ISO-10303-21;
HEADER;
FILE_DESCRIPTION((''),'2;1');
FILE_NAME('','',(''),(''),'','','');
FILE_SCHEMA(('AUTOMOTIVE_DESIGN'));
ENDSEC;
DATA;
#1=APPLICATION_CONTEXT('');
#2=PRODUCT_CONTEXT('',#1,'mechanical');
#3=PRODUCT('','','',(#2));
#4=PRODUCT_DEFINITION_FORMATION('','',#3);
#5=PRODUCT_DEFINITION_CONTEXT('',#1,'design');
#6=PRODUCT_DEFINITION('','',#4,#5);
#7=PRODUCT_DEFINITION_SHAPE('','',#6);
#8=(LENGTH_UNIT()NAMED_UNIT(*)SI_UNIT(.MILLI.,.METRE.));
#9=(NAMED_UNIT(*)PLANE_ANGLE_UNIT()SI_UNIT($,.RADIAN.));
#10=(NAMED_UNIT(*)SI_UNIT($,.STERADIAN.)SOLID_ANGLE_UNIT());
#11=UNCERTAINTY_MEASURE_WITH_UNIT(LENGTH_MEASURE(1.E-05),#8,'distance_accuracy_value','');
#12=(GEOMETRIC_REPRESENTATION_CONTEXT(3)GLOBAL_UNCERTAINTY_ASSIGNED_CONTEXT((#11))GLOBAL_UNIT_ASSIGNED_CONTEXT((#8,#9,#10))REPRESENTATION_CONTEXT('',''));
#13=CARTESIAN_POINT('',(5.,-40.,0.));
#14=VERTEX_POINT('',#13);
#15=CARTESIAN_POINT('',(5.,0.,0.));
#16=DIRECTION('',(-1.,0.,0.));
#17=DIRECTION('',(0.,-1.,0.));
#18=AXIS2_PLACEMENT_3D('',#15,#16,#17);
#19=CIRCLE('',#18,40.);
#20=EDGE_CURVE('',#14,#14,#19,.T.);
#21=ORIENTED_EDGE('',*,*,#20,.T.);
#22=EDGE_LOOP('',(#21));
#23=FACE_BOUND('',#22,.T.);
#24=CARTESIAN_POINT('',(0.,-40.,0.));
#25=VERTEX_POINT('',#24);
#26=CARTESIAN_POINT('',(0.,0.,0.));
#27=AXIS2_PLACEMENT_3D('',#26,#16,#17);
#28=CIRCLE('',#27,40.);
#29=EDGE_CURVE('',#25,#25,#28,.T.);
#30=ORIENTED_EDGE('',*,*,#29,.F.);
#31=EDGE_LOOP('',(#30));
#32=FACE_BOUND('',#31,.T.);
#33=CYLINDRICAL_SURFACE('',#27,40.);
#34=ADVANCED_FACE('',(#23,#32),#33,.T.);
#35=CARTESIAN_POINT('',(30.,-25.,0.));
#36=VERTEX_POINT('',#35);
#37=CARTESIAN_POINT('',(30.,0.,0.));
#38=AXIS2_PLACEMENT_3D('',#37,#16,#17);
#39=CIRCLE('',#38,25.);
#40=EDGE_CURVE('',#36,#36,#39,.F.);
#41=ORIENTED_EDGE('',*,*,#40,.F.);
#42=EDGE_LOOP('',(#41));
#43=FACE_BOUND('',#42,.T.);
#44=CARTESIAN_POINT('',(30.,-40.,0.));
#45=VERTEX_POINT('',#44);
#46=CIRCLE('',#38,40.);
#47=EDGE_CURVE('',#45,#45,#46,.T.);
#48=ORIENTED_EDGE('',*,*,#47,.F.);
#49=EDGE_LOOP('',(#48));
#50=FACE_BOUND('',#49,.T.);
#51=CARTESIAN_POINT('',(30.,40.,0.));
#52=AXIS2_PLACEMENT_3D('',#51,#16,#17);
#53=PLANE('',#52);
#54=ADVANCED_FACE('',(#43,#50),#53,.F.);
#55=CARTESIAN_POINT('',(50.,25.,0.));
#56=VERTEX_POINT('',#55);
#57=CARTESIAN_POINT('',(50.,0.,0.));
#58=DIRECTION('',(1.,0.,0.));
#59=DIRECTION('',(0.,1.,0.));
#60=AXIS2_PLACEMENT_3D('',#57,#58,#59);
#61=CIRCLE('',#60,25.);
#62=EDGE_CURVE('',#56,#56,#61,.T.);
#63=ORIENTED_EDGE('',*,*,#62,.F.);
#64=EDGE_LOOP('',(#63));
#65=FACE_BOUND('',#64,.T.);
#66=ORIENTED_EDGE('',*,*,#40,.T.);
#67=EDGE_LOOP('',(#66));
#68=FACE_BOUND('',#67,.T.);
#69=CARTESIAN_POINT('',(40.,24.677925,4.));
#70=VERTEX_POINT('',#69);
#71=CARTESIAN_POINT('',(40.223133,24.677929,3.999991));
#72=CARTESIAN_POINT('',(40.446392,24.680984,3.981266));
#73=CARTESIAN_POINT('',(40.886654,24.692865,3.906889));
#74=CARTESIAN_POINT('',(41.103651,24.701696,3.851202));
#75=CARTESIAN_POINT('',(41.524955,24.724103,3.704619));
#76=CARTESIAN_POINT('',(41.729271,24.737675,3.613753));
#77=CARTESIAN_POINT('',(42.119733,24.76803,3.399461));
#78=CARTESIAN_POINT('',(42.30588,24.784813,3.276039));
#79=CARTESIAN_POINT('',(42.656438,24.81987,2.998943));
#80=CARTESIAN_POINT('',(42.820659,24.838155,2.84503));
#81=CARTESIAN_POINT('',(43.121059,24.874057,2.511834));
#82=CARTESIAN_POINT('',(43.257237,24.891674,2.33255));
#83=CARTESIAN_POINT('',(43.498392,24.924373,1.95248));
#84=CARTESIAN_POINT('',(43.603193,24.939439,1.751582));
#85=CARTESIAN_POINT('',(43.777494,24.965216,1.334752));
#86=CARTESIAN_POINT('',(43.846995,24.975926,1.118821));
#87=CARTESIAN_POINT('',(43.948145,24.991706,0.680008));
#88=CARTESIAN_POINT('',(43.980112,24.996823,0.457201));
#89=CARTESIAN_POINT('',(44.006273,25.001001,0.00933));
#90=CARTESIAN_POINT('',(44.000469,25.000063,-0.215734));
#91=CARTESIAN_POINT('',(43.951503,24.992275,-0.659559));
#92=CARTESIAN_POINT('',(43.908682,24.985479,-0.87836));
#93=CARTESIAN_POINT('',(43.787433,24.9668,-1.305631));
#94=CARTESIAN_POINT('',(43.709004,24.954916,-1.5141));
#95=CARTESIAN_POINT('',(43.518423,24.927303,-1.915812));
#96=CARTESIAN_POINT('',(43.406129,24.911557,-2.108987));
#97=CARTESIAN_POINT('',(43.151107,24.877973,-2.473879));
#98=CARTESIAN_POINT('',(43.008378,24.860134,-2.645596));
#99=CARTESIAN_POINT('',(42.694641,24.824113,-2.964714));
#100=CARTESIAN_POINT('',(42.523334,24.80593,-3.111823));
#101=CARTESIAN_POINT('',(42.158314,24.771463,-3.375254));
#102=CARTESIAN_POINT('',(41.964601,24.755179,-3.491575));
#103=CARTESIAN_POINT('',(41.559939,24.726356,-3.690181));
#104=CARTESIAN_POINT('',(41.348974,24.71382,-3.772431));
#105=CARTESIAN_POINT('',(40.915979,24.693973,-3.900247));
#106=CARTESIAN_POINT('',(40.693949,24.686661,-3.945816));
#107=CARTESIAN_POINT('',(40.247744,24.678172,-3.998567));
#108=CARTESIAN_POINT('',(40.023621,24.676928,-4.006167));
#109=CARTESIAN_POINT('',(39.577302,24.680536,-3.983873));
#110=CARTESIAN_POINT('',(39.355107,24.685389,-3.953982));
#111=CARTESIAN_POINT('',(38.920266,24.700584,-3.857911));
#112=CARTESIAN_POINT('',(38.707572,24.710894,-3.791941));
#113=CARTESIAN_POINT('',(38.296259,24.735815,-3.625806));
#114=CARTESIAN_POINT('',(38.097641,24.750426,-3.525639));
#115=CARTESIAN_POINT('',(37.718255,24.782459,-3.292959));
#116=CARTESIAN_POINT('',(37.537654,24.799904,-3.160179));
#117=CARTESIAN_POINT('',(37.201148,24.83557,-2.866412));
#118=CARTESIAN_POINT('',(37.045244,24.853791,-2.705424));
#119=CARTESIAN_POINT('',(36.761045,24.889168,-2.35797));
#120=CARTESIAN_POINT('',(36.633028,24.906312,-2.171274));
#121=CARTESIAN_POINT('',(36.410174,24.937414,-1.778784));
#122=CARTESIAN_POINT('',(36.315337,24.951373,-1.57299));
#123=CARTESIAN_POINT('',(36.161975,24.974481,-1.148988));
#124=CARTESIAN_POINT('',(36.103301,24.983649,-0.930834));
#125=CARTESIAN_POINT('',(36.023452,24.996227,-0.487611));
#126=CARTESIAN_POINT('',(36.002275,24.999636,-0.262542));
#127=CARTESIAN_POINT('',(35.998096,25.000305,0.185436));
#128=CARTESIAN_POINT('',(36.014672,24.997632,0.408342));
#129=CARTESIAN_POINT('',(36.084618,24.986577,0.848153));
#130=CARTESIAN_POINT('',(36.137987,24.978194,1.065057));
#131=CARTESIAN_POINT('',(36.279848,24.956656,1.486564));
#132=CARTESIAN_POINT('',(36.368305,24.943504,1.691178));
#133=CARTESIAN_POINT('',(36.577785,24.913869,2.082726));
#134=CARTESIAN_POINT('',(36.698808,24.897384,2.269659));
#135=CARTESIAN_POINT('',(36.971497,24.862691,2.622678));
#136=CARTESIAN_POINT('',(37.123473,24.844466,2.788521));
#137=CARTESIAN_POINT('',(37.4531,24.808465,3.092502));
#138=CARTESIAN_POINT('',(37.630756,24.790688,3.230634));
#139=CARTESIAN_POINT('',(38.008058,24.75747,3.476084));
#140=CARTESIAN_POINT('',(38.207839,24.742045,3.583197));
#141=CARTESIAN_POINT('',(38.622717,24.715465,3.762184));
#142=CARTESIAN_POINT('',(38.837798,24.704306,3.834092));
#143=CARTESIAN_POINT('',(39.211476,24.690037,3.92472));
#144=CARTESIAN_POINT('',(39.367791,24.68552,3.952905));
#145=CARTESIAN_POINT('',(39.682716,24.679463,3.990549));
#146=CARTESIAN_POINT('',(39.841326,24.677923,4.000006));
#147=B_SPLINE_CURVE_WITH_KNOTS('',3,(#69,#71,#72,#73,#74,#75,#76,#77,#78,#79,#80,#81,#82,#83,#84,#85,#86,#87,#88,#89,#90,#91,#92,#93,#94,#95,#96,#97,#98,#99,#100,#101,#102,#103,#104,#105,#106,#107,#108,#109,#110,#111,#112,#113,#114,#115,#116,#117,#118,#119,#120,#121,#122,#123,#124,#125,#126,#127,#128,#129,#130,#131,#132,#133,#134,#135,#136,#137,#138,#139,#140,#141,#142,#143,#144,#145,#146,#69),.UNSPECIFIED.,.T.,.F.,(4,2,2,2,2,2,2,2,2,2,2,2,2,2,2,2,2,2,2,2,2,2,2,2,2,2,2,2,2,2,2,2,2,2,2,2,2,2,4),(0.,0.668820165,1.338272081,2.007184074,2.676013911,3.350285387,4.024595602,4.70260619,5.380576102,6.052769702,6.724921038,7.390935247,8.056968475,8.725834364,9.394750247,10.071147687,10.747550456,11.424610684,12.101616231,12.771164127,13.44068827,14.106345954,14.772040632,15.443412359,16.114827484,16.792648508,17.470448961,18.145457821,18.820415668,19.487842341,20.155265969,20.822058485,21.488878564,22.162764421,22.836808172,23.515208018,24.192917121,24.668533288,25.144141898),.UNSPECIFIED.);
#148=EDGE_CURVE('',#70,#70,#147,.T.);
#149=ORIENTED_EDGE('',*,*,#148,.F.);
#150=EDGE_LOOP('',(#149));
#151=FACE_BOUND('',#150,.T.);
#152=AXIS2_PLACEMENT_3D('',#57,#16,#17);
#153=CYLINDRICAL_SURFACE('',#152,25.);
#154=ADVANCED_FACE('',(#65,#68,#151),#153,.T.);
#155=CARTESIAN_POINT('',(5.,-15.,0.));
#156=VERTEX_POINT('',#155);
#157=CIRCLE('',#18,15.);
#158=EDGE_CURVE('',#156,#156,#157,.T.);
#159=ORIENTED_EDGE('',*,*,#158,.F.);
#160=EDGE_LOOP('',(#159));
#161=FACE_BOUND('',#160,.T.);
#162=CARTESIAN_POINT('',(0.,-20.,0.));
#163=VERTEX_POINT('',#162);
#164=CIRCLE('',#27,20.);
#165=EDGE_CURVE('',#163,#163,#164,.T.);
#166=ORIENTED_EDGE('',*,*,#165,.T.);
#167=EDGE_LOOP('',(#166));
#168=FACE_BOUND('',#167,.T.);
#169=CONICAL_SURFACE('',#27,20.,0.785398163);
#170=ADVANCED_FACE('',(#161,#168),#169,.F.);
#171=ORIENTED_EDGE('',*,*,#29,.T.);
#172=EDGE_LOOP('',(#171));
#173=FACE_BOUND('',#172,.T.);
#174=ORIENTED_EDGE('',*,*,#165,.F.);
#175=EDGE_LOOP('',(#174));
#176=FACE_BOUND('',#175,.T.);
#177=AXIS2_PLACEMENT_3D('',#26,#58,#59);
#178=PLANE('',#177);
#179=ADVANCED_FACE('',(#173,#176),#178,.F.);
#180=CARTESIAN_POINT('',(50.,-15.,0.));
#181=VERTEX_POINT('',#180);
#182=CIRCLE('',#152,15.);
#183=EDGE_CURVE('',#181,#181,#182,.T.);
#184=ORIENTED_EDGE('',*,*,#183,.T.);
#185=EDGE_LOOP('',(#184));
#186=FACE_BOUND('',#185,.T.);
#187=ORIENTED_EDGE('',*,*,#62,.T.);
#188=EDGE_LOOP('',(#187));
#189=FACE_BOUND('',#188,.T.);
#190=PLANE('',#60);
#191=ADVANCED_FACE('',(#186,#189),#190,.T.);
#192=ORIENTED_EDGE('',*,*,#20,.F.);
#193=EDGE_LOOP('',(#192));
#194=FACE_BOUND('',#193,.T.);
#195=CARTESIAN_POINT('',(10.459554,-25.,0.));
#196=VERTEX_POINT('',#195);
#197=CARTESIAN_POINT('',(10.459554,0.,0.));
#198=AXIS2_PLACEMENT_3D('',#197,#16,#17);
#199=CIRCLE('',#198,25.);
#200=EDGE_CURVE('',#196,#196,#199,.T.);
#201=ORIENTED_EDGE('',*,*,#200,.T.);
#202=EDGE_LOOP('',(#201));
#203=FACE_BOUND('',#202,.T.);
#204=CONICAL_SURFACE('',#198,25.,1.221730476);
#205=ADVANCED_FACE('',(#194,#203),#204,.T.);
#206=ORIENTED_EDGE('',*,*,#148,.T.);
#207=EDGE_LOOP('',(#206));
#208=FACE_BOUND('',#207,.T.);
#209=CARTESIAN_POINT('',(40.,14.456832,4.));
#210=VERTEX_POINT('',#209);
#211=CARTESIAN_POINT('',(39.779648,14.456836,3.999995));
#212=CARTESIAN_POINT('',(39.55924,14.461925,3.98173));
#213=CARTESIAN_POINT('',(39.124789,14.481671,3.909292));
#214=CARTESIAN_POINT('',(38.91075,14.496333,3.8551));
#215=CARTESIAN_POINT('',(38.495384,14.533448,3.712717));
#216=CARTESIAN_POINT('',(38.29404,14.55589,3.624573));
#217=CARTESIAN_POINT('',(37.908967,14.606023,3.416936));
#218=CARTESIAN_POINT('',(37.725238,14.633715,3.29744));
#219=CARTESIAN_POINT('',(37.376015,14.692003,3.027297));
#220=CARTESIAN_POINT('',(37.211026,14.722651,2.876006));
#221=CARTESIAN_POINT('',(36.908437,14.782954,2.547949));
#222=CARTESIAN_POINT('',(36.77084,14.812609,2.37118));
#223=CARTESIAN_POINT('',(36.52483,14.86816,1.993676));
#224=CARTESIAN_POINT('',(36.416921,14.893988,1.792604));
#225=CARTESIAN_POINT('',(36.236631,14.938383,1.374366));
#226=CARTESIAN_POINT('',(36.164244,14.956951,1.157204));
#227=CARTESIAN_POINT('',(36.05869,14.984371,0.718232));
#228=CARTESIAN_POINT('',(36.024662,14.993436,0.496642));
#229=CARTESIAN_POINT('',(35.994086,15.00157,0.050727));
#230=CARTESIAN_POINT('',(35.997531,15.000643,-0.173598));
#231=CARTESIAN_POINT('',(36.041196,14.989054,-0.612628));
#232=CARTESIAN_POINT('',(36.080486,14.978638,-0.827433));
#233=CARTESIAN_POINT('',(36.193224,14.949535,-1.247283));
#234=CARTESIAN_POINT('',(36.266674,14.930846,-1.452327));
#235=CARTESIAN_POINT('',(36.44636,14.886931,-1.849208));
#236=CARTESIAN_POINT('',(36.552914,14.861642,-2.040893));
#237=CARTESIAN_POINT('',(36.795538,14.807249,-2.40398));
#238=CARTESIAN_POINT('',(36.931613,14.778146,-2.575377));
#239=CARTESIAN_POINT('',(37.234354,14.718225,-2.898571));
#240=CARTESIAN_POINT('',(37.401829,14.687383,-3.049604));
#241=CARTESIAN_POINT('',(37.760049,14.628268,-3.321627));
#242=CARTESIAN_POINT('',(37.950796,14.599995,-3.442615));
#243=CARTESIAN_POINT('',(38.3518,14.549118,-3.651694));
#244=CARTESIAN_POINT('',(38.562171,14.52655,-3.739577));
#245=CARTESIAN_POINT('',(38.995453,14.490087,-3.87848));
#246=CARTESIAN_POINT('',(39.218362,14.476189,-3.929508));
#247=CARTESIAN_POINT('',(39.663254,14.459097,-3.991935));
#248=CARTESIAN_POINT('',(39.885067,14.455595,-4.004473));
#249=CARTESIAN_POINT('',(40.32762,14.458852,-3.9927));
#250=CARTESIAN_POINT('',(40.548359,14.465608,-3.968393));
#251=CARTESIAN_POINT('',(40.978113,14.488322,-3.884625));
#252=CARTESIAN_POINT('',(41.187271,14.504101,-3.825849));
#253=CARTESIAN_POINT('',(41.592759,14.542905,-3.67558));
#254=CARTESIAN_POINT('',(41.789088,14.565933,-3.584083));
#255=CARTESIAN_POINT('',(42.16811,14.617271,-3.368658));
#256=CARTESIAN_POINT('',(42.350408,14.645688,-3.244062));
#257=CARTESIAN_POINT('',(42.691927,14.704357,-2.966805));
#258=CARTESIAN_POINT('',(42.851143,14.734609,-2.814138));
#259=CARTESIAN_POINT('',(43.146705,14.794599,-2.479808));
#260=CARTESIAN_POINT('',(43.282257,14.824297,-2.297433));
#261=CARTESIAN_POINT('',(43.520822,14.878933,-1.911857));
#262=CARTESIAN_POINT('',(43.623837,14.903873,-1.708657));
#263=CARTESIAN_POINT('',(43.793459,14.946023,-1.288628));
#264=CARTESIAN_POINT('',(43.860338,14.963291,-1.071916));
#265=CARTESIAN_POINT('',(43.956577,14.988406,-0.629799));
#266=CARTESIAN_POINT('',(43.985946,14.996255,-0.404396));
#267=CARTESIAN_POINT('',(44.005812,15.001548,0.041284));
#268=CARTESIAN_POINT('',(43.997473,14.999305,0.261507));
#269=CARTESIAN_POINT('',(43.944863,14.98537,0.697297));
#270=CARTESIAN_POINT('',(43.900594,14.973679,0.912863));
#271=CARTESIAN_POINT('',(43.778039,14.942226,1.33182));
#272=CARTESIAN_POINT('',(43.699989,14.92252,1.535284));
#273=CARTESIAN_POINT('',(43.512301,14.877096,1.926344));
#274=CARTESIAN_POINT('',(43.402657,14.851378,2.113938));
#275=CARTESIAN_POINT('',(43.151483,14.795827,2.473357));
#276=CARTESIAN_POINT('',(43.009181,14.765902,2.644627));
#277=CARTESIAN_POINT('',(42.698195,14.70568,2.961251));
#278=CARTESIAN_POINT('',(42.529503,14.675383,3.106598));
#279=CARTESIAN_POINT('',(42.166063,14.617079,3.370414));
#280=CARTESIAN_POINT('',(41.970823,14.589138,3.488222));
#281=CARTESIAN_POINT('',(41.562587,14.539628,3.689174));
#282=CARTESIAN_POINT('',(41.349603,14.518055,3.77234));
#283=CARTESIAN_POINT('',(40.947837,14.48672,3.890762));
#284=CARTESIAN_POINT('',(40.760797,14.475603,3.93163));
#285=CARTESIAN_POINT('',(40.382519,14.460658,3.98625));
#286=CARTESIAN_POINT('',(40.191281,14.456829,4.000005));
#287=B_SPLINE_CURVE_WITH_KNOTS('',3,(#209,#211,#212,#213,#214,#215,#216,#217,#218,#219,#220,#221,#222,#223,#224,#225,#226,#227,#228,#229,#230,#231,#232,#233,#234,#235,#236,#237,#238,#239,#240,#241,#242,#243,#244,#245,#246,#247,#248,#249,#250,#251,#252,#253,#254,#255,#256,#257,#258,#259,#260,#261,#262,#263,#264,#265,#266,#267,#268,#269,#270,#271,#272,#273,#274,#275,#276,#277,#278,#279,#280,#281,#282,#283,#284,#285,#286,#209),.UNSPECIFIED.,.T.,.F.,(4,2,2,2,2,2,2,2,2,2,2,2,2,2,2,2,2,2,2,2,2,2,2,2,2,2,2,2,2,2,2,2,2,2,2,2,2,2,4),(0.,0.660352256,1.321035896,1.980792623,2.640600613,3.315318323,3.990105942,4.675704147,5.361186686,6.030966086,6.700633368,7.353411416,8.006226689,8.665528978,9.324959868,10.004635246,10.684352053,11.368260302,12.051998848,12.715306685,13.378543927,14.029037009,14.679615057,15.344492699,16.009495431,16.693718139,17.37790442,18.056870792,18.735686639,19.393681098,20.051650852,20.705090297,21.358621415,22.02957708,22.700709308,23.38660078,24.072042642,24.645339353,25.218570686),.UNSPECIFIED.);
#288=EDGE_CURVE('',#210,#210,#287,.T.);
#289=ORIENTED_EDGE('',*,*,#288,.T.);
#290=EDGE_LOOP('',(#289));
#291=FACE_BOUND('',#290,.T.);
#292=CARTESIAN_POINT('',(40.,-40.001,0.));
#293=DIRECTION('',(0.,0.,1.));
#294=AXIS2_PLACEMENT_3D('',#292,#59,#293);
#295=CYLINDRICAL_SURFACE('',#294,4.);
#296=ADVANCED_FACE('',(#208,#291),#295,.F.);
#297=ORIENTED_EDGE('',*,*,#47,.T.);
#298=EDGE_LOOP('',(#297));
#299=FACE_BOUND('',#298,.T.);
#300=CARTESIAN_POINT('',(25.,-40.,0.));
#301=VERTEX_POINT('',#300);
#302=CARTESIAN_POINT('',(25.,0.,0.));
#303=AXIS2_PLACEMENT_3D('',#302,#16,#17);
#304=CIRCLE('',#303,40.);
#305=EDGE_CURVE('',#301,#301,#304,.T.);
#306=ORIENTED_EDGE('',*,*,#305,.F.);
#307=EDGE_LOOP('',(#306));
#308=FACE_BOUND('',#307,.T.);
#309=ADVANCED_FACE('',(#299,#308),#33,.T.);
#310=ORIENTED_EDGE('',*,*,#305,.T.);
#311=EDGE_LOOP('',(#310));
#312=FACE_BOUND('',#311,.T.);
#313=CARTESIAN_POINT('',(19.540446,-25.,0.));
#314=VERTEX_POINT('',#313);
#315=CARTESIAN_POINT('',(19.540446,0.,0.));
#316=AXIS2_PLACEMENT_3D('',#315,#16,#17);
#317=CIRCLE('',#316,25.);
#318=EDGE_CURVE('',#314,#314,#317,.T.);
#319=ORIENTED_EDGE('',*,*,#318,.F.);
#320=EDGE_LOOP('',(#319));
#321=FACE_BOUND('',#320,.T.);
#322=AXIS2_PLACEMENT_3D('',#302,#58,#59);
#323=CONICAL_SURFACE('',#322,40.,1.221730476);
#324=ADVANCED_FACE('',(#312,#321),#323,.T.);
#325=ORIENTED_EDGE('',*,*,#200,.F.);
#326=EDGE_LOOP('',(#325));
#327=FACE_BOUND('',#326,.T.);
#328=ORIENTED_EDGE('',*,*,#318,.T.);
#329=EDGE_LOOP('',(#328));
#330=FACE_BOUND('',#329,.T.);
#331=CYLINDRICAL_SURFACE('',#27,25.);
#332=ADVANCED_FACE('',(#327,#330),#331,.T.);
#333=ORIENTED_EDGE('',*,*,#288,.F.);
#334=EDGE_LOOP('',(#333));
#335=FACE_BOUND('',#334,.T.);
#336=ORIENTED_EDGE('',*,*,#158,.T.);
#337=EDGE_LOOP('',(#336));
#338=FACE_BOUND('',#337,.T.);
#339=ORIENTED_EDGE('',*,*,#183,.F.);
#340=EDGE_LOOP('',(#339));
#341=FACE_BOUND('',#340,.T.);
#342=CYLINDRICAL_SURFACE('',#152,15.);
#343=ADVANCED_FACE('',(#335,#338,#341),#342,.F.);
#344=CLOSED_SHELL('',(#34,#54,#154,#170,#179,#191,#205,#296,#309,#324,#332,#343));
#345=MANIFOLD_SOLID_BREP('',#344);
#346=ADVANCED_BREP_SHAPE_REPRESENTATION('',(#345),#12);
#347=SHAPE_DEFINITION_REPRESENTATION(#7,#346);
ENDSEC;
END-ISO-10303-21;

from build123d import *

# Parameters (mm, degrees)
SKETCH2_R               = 12.5
CUT_EXTRUDE1_DEPTH      = 65.031242374
BOSS_EXTRUDE1_START     = 20
SKETCH3_R               = 25
BOSS_EXTRUDE1_DEPTH     = 20
SKETCH2_2_R             = 12.5
CUT_EXTRUDE2_DEPTH      = 76.498344353
SKETCH5_R               = 20
CUT_EXTRUDE3_DEPTH      = 5
CUT_EXTRUDE3_DRAFT      = -45
SKETCH6_R               = 15
CUT_EXTRUDE4_DEPTH      = 73.284161474
CUT_EXTRUDE5_REACH      = 93.241
CUT_EXTRUDE5_END_RADIUS = 15
SKETCH10_R              = 4


with BuildPart() as part:
    # Sketch1 → Revolve1 (revolve)
    with BuildSketch(Plane.XY, mode=Mode.PRIVATE) as revolve1_sk:
        Polygon((0, 0), (0, 40), (5, 40), (10.459553514, 25), (19.540446486, 25), (25, 40), (30, 40), (30, 0), align=None)
    revolve(revolve1_sk.sketch.rotate(Axis((0, 0, 0), (1, 0, 0)), 180), axis=Axis((0, 0, 0), (1, 0, 0)))

    # Sketch2 → Cut-Extrude1 (cut, through all)
    with BuildSketch(Plane.ZY):
        with Locations(Location((0, 0, 0), (0, 0, 270))):
            Circle(SKETCH2_R)
    extrude(amount=-CUT_EXTRUDE1_DEPTH, mode=Mode.SUBTRACT)

    # Sketch3 → Boss-Extrude1 (add)
    with BuildSketch(Plane(origin=(30, 0, 0), x_dir=(0, 0, -1), z_dir=(1, 0, 0)).offset(BOSS_EXTRUDE1_START)):
        with Locations(Location((0, 0, 0), (0, 0, 270))):
            Circle(SKETCH3_R)
    extrude(amount=-BOSS_EXTRUDE1_DEPTH)

    # Sketch2<2> → Cut-Extrude2 (cut, through all)
    with BuildSketch(Plane.ZY):
        with Locations(Location((0, 0, 0), (0, 0, 270))):
            Circle(SKETCH2_2_R)
    extrude(amount=-CUT_EXTRUDE2_DEPTH, mode=Mode.SUBTRACT)


with BuildPart() as cut_extrude3_tool:
    # Sketch5 → Cut-Extrude3 (with draft: the straight prism first)
    with BuildSketch(Plane.ZY):
        Circle(SKETCH5_R)
    extrude(amount=-CUT_EXTRUDE3_DEPTH)
    # Cut-Extrude3: the draft: its side faces are tilted about the plane it starts from
    cut_extrude3_sides = [cut_extrude3_tool.faces().sort_by_distance(p)[0] for p in [
        (2.5, 0, -20),
    ]]
    draft(cut_extrude3_sides, Plane.ZY, CUT_EXTRUDE3_DRAFT)


with BuildPart() as part_1:
    add(part.part)

    # Cut-Extrude3: cut by cut_extrude3_tool
    add(cut_extrude3_tool.part, mode=Mode.SUBTRACT)

    # Sketch6 → Cut-Extrude4 (cut, through all)
    with BuildSketch(Plane.ZY.offset(-5)):
        with Locations(Location((0, 0, 0), (0, 0, 270))):
            Circle(SKETCH6_R)
    extrude(amount=-CUT_EXTRUDE4_DEPTH, mode=Mode.SUBTRACT)

    # Cut-Extrude5: up to this cylinder (the profile starts outside it)
    cut_extrude5_end = Plane(origin=(40, 0, 0), z_dir=(-1, 0, 0)) * Cylinder(CUT_EXTRUDE5_END_RADIUS, 217.482, mode=Mode.PRIVATE)
    # Sketch10 → Cut-Extrude5 (cut, up to the surface)
    with BuildSketch(Plane(origin=(0, 25, 0), x_dir=(1, 0, 0), z_dir=(0, 1, 0)), mode=Mode.PRIVATE) as cut_extrude5_sk1:
        with Locations(Location((40, 0, 0), (0, 0, 270))):
            Circle(SKETCH10_R)
    cut_extrude5_tool1 = extrude(cut_extrude5_sk1.sketch, amount=-CUT_EXTRUDE5_REACH, mode=Mode.PRIVATE) - cut_extrude5_end
    add(cut_extrude5_tool1.solids().sort_by_distance((40, 25, 0))[0], mode=Mode.SUBTRACT)


solid = part_1.part
